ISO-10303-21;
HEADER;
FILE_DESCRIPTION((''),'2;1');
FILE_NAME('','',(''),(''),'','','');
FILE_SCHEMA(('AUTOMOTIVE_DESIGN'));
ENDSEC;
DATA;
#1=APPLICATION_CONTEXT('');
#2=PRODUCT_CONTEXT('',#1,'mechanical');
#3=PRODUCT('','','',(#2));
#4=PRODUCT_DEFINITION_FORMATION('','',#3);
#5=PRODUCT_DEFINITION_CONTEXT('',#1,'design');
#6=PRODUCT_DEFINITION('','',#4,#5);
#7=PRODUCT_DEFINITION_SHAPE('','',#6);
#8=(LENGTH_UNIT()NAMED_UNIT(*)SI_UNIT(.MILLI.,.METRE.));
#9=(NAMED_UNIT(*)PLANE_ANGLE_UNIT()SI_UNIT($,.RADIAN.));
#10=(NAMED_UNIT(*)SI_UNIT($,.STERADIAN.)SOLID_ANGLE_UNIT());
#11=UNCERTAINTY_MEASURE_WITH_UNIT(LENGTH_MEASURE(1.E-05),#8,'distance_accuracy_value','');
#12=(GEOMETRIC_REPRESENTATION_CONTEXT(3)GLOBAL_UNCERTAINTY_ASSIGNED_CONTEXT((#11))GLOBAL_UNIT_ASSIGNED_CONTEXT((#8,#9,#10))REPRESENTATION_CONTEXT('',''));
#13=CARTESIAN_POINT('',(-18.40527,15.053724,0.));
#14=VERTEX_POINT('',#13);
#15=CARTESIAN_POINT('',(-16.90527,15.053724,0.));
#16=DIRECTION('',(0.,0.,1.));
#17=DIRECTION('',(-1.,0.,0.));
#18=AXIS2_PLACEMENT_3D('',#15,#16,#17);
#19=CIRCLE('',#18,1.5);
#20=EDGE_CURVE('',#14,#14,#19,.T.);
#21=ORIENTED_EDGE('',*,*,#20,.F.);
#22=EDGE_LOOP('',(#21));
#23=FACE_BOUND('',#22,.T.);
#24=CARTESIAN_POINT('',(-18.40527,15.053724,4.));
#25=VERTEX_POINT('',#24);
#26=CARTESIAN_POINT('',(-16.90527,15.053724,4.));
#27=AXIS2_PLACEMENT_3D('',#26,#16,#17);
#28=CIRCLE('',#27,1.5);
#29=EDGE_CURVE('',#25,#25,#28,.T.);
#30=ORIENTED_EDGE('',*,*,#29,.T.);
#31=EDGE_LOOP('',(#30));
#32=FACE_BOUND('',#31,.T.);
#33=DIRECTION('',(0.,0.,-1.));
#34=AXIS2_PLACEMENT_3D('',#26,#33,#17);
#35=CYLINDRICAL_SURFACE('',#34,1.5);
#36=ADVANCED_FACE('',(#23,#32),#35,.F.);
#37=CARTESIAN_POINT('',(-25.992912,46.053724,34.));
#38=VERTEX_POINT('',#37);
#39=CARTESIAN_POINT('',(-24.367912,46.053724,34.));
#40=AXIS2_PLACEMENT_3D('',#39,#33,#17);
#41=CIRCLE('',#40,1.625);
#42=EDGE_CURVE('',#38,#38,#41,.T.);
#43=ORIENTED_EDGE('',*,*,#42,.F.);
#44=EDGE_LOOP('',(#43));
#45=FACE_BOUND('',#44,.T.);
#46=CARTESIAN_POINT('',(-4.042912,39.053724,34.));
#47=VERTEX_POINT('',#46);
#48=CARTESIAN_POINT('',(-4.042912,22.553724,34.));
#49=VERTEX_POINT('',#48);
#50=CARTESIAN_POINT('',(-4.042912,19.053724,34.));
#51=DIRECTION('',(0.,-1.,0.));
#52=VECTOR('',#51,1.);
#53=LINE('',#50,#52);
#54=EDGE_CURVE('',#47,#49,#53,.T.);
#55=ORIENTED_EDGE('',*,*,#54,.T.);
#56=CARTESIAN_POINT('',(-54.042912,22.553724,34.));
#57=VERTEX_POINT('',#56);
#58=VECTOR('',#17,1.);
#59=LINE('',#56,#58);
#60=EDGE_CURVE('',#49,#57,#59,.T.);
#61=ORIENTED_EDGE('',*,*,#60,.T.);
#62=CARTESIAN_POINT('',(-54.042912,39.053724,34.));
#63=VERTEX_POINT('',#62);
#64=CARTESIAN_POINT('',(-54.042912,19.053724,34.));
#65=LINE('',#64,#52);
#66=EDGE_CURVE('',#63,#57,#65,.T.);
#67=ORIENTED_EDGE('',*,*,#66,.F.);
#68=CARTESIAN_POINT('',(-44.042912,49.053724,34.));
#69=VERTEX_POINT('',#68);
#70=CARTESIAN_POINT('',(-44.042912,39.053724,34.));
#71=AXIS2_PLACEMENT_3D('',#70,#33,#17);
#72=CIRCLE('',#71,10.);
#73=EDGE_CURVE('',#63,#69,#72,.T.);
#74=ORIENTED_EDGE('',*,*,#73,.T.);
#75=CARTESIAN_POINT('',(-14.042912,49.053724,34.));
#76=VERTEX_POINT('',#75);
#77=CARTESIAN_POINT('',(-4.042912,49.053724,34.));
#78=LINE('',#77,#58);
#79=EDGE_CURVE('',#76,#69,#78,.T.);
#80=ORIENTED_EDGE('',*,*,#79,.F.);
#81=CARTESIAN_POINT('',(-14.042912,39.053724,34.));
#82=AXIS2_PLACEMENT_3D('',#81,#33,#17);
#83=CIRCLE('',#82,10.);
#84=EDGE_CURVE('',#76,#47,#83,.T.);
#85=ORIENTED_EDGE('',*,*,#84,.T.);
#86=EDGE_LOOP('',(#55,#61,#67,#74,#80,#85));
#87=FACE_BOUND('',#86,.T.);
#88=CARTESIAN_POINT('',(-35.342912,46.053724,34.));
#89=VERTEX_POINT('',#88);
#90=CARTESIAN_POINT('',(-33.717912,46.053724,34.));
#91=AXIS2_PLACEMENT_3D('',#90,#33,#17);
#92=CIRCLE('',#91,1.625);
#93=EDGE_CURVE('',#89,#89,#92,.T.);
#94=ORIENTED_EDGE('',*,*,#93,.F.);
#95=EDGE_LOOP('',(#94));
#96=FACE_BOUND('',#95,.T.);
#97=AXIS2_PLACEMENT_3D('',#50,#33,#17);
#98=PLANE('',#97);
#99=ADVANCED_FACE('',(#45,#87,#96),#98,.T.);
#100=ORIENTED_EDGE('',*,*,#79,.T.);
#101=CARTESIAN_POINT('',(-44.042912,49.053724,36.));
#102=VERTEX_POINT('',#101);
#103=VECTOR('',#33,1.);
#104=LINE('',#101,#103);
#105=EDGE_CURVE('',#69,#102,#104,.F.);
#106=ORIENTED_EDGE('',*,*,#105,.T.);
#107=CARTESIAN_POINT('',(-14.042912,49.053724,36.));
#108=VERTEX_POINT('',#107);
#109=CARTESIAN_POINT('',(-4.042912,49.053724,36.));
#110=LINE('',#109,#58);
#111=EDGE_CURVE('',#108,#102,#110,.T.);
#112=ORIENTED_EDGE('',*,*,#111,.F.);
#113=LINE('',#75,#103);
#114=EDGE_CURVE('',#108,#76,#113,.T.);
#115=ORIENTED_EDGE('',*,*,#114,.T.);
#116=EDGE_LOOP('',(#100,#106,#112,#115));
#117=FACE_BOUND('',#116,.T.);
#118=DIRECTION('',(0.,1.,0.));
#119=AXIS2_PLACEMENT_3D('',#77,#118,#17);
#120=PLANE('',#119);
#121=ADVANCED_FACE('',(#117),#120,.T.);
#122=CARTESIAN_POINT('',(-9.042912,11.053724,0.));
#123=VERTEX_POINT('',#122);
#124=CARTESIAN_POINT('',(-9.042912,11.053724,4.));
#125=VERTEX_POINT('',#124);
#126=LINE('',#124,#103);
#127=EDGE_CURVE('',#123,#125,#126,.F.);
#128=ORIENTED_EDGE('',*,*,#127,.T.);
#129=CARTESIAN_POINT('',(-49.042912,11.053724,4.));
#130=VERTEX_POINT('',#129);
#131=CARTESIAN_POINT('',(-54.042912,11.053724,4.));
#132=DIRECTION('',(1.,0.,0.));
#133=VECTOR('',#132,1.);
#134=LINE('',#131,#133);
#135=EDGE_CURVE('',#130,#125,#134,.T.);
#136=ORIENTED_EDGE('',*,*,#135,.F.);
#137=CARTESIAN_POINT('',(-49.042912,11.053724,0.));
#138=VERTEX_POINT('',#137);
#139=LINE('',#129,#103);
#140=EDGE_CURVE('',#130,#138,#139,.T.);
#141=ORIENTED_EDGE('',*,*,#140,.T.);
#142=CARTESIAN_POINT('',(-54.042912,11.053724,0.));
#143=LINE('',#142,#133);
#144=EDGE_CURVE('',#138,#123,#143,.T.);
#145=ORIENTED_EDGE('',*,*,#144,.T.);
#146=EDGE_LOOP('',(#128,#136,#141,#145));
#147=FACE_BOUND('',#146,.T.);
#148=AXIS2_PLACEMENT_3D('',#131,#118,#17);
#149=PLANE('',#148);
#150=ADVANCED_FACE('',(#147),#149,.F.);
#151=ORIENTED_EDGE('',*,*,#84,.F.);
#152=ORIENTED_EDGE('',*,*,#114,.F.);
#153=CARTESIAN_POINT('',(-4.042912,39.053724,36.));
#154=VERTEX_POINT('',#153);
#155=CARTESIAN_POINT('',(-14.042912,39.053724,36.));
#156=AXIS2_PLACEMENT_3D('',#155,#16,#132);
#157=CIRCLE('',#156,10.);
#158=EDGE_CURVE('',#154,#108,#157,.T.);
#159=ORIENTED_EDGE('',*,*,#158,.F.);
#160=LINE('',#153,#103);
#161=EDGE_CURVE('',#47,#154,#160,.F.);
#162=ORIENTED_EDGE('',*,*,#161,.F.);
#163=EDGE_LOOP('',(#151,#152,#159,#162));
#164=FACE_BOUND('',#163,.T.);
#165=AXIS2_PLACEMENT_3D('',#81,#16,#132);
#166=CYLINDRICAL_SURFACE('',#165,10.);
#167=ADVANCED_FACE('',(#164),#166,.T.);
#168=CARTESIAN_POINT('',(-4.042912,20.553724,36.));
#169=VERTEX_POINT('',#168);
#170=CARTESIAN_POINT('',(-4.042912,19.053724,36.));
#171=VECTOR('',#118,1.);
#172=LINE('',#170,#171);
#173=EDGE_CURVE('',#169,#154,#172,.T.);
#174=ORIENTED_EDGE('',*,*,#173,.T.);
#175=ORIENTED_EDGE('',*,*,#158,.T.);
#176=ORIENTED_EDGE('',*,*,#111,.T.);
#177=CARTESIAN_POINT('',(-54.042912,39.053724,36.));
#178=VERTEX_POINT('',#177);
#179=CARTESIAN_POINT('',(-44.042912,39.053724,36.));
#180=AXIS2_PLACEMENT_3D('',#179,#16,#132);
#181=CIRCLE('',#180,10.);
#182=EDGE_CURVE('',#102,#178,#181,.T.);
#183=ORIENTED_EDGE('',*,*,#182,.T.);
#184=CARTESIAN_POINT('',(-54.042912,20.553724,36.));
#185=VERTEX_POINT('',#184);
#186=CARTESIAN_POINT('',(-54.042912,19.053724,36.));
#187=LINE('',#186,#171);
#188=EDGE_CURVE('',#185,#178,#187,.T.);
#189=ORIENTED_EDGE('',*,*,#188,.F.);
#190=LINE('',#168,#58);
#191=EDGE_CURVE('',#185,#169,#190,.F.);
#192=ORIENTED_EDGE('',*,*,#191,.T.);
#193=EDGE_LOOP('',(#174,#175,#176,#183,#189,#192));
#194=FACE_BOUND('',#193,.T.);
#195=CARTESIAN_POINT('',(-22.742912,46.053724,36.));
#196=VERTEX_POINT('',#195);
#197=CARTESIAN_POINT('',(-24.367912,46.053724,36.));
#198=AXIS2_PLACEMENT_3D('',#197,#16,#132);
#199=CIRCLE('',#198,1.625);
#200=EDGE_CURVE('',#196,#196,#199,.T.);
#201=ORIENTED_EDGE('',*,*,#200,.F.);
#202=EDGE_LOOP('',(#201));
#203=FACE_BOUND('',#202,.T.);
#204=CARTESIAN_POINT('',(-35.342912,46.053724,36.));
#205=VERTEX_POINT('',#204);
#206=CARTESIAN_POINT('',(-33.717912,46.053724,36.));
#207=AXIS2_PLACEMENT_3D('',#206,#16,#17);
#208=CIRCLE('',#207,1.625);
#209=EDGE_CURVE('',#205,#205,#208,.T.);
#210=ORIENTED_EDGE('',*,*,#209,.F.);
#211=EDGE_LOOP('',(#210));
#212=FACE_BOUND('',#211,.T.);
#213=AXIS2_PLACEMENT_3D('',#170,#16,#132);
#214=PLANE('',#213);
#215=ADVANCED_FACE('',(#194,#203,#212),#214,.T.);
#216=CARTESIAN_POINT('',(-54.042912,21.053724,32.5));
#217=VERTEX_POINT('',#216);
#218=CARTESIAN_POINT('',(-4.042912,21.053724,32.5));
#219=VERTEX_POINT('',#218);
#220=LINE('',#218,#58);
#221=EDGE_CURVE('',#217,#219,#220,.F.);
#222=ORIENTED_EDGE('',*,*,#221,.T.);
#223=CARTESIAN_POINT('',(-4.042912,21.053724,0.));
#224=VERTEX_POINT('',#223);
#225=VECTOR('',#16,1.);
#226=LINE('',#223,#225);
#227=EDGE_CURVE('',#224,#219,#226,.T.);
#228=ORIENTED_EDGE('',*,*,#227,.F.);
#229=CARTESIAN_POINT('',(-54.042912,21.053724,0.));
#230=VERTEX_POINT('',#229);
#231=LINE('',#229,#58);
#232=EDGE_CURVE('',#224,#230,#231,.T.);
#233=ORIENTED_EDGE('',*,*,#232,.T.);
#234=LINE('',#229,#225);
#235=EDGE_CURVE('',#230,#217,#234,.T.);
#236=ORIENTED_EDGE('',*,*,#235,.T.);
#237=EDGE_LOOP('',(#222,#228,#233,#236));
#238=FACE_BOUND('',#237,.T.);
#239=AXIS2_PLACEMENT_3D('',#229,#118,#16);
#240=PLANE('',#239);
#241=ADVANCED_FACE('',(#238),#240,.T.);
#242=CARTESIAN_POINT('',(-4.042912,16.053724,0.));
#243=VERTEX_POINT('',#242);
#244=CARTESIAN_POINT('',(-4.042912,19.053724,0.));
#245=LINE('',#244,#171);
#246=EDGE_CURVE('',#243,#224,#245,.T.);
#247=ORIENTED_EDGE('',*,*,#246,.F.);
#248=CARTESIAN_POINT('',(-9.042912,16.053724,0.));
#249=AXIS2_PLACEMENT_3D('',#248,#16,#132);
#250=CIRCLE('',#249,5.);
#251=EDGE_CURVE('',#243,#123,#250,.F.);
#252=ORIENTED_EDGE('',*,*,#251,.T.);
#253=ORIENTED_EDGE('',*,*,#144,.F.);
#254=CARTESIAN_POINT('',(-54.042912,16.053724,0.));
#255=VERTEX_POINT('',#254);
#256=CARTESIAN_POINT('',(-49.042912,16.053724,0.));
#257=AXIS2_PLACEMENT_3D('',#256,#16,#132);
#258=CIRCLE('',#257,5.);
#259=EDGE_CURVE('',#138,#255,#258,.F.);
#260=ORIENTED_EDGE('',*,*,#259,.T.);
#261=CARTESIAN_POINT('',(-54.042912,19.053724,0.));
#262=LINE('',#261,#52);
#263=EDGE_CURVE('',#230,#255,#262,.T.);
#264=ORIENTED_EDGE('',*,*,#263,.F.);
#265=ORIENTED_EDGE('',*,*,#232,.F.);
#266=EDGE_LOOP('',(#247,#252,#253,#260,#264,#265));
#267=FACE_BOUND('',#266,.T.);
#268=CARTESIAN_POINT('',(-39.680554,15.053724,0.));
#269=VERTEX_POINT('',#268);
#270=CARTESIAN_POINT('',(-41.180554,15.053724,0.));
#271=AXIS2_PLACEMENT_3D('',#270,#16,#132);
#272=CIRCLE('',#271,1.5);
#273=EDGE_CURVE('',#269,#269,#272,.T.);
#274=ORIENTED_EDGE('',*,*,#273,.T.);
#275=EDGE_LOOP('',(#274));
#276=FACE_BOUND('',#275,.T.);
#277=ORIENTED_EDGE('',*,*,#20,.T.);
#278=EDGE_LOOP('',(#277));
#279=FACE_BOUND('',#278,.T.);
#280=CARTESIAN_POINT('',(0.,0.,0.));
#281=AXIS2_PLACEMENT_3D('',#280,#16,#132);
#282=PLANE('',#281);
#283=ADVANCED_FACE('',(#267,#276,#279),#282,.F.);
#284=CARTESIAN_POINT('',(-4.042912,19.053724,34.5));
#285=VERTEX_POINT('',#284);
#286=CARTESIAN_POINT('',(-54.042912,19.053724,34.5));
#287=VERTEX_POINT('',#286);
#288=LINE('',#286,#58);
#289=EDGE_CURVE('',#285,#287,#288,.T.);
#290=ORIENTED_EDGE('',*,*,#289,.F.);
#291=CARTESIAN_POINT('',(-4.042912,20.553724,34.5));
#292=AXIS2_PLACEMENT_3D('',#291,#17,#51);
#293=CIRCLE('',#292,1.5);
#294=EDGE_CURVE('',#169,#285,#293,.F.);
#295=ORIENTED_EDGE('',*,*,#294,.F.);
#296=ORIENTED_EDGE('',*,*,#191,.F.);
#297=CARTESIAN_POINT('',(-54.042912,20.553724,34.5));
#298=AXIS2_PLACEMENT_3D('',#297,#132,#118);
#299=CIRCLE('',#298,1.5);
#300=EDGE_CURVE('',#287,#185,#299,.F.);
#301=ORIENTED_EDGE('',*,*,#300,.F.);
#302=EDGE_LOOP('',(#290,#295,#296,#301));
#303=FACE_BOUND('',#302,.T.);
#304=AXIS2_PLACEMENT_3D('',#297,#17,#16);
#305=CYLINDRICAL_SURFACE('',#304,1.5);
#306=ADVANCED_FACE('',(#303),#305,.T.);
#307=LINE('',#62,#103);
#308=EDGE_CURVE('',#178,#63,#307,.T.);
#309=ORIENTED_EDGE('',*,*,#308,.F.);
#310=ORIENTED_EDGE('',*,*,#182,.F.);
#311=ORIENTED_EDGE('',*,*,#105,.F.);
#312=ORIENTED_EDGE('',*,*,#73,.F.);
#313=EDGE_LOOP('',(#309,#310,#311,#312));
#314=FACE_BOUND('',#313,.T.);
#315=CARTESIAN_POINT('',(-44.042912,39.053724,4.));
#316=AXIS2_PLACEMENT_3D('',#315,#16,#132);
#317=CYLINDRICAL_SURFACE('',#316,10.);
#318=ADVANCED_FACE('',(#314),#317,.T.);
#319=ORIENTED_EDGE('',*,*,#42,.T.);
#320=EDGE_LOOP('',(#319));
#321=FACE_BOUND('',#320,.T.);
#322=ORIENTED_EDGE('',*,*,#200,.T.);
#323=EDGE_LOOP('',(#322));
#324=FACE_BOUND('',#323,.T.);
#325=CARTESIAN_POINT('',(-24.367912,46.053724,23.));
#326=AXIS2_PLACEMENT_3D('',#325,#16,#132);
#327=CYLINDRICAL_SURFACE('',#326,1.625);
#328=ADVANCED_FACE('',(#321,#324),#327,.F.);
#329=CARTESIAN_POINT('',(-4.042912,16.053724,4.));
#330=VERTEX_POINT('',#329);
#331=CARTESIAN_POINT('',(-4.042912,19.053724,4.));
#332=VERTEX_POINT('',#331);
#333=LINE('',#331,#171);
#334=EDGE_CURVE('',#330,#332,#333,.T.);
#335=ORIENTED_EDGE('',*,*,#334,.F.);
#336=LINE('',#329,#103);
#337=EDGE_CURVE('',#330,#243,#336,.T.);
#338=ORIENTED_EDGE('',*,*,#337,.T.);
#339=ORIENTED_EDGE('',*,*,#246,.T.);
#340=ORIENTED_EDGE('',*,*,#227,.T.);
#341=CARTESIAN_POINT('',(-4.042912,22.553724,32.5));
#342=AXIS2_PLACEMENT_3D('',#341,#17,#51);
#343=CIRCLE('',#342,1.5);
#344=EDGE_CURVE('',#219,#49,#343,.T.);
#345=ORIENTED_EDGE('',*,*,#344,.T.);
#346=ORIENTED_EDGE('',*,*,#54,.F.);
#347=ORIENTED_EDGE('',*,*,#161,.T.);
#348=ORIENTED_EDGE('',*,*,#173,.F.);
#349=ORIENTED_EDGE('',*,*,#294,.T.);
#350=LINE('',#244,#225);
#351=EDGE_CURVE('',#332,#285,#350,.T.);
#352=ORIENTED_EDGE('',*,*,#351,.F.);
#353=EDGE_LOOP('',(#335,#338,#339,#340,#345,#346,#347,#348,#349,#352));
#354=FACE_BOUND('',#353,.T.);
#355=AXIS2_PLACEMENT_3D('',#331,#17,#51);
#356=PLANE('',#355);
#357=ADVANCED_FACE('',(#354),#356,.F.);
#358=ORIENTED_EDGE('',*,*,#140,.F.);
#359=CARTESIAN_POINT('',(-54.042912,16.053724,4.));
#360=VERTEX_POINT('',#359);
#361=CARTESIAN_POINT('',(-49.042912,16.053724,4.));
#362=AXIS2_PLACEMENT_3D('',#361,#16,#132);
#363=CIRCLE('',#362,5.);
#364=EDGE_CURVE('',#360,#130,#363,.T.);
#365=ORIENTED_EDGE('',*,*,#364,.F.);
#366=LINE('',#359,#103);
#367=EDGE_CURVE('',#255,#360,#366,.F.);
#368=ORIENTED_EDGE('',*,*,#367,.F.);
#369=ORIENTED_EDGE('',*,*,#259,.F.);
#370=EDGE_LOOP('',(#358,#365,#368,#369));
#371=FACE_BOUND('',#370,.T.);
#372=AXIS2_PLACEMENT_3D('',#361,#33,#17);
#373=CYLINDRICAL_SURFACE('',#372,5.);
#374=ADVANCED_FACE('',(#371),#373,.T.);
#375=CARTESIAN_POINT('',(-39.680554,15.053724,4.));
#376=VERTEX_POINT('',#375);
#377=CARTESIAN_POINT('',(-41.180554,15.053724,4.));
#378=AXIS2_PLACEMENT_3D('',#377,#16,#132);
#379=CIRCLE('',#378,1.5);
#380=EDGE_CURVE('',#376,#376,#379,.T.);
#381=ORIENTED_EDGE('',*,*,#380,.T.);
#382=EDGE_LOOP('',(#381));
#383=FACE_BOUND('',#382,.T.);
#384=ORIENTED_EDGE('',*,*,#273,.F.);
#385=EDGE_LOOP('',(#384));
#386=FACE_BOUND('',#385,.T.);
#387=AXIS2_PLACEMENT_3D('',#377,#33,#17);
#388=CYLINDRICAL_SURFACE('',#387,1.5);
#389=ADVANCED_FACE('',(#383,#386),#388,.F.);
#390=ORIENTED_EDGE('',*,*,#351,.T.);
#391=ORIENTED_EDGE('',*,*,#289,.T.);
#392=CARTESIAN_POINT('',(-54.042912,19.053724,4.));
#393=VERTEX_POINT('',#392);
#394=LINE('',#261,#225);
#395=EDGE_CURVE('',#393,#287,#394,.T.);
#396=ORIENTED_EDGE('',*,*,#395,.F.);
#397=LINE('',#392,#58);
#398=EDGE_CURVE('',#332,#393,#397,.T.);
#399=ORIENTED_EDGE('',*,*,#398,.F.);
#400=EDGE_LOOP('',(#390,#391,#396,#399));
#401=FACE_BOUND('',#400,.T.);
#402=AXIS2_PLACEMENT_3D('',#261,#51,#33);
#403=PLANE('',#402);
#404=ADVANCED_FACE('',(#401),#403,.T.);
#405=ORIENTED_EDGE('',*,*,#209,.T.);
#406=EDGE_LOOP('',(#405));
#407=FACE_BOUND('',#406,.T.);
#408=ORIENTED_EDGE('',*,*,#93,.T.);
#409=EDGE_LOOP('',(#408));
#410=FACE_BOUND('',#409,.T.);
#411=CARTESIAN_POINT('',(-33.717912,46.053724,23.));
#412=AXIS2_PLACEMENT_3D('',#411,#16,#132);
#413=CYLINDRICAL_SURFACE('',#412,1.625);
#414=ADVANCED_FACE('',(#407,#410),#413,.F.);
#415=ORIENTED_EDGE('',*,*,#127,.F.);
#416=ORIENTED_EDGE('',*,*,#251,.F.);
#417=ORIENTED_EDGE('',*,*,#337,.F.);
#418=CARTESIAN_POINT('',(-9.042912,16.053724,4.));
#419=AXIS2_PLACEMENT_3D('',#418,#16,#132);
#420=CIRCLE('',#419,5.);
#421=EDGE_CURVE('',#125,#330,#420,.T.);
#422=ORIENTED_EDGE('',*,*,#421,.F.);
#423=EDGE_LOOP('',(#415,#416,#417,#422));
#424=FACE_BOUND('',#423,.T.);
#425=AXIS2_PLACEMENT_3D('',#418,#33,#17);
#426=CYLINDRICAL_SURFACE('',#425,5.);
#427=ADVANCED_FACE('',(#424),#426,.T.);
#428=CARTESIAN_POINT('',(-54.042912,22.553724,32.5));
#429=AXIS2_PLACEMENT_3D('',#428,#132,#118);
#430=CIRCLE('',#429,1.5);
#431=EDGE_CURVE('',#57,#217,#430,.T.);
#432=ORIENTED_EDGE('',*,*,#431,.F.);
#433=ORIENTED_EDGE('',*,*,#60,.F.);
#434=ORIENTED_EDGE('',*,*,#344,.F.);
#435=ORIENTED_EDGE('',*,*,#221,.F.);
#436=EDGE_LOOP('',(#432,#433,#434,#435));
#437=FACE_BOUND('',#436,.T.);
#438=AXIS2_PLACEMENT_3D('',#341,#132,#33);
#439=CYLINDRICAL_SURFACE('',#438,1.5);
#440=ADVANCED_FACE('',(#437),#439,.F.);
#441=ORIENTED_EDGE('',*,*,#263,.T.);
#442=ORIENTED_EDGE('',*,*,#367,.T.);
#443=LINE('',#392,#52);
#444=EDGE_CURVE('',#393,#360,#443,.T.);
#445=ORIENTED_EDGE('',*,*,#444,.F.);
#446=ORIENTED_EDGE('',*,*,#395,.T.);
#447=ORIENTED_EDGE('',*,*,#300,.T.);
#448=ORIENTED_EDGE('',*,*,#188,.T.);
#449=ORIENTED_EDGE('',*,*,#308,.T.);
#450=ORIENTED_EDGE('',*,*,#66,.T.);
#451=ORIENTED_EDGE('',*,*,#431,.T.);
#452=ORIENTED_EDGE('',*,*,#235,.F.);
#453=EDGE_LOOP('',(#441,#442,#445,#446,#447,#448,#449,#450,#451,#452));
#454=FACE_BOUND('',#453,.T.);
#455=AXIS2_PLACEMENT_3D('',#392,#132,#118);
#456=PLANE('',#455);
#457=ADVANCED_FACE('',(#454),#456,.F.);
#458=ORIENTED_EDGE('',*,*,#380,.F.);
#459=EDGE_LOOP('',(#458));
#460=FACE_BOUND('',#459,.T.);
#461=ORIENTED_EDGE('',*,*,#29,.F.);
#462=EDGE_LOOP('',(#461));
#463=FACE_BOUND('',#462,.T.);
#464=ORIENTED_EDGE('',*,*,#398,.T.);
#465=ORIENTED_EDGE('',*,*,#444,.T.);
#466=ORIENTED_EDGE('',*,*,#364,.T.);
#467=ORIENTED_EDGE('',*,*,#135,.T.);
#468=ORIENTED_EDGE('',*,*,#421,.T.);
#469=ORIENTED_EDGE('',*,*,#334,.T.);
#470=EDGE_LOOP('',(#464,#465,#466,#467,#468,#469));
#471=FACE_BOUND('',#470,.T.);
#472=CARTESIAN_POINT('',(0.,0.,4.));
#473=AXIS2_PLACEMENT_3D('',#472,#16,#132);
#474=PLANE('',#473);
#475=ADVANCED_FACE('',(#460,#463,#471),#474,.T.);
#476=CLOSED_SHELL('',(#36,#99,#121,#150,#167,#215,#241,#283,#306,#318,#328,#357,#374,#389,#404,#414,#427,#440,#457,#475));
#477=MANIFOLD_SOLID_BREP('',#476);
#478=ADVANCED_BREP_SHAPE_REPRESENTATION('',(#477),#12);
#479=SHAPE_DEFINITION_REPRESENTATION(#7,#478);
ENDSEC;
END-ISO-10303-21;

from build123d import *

# Parameters (mm, degrees)
SKETCH1_W                = 50
SKETCH1_H                = 8
SKETCH1_R                = 1.5
BOSS_EXTRUDE1_DEPTH      = 4
SKETCH2_W                = 50
SKETCH2_H                = 2
BOSS_EXTRUDE2_DEPTH      = 30
BOSS_EXTRUDE2_DEPTH_BACK = 4
SKETCH3_W                = 2
SKETCH3_H                = 30
BOSS_EXTRUDE3_DEPTH      = 50
FILLET1_R                = 10
FILLET2_R                = 5
FILLET3_R                = 1.5
SKETCH4_R                = 1.625
CUT_EXTRUDE1_DEPTH       = 13


with BuildPart() as part:
    # Sketch1 → Boss-Extrude1 (new body)
    with BuildSketch(Plane.XY):
        with Locations((-29.042911783, 15.053723554)):
            Rectangle(SKETCH1_W, SKETCH1_H)
        with Locations((-41.180553897, 15.053723554)):
            Circle(SKETCH1_R, mode=Mode.SUBTRACT)
        with Locations((-16.905269669, 15.053723554)):
            Circle(SKETCH1_R, mode=Mode.SUBTRACT)
    extrude(amount=BOSS_EXTRUDE1_DEPTH)

    # Sketch2 → Boss-Extrude2 (add, two sides)
    with BuildSketch(Plane.XY.offset(4)) as boss_extrude2_sk:
        with Locations((-29.042911783, 20.053723554)):
            Rectangle(SKETCH2_W, SKETCH2_H)
    extrude(amount=BOSS_EXTRUDE2_DEPTH)
    extrude(boss_extrude2_sk.sketch, amount=-BOSS_EXTRUDE2_DEPTH_BACK)

    # Sketch3 → Boss-Extrude3 (add)
    with BuildSketch(Plane.ZY.offset(54.042911783)):
        with Locations((35, 34.053723554)):
            Rectangle(SKETCH3_W, SKETCH3_H)
    extrude(amount=-BOSS_EXTRUDE3_DEPTH)

    # Fillet1
    fillet1_edges = [part.edges().sort_by_distance(p)[0] for p in [
        (-4.042911783, 49.053723554, 35),
        (-54.042911783, 49.053723554, 35),
    ]]
    fillet(fillet1_edges, radius=FILLET1_R)

    # Fillet2
    fillet2_edges = [part.edges().sort_by_distance(p)[0] for p in [
        (-54.042911783, 11.053723554, 2),
        (-4.042911783, 11.053723554, 2),
    ]]
    fillet(fillet2_edges, radius=FILLET2_R)

    # Fillet3
    fillet3_edges = [part.edges().sort_by_distance(p)[0] for p in [
        (-29.042911783, 21.053723554, 34),
        (-29.042911783, 19.053723554, 36),
    ]]
    fillet(fillet3_edges, radius=FILLET3_R)

    # Sketch4 → Cut-Extrude1 (cut)
    with BuildSketch(Plane.XY.offset(36)):
        with Locations((-24.367911783, 46.053723554)):
            Circle(SKETCH4_R)
        with Locations((-33.717911783, 46.053723554)):
            Circle(SKETCH4_R)
    extrude(amount=-CUT_EXTRUDE1_DEPTH, mode=Mode.SUBTRACT)


solid = part.part
